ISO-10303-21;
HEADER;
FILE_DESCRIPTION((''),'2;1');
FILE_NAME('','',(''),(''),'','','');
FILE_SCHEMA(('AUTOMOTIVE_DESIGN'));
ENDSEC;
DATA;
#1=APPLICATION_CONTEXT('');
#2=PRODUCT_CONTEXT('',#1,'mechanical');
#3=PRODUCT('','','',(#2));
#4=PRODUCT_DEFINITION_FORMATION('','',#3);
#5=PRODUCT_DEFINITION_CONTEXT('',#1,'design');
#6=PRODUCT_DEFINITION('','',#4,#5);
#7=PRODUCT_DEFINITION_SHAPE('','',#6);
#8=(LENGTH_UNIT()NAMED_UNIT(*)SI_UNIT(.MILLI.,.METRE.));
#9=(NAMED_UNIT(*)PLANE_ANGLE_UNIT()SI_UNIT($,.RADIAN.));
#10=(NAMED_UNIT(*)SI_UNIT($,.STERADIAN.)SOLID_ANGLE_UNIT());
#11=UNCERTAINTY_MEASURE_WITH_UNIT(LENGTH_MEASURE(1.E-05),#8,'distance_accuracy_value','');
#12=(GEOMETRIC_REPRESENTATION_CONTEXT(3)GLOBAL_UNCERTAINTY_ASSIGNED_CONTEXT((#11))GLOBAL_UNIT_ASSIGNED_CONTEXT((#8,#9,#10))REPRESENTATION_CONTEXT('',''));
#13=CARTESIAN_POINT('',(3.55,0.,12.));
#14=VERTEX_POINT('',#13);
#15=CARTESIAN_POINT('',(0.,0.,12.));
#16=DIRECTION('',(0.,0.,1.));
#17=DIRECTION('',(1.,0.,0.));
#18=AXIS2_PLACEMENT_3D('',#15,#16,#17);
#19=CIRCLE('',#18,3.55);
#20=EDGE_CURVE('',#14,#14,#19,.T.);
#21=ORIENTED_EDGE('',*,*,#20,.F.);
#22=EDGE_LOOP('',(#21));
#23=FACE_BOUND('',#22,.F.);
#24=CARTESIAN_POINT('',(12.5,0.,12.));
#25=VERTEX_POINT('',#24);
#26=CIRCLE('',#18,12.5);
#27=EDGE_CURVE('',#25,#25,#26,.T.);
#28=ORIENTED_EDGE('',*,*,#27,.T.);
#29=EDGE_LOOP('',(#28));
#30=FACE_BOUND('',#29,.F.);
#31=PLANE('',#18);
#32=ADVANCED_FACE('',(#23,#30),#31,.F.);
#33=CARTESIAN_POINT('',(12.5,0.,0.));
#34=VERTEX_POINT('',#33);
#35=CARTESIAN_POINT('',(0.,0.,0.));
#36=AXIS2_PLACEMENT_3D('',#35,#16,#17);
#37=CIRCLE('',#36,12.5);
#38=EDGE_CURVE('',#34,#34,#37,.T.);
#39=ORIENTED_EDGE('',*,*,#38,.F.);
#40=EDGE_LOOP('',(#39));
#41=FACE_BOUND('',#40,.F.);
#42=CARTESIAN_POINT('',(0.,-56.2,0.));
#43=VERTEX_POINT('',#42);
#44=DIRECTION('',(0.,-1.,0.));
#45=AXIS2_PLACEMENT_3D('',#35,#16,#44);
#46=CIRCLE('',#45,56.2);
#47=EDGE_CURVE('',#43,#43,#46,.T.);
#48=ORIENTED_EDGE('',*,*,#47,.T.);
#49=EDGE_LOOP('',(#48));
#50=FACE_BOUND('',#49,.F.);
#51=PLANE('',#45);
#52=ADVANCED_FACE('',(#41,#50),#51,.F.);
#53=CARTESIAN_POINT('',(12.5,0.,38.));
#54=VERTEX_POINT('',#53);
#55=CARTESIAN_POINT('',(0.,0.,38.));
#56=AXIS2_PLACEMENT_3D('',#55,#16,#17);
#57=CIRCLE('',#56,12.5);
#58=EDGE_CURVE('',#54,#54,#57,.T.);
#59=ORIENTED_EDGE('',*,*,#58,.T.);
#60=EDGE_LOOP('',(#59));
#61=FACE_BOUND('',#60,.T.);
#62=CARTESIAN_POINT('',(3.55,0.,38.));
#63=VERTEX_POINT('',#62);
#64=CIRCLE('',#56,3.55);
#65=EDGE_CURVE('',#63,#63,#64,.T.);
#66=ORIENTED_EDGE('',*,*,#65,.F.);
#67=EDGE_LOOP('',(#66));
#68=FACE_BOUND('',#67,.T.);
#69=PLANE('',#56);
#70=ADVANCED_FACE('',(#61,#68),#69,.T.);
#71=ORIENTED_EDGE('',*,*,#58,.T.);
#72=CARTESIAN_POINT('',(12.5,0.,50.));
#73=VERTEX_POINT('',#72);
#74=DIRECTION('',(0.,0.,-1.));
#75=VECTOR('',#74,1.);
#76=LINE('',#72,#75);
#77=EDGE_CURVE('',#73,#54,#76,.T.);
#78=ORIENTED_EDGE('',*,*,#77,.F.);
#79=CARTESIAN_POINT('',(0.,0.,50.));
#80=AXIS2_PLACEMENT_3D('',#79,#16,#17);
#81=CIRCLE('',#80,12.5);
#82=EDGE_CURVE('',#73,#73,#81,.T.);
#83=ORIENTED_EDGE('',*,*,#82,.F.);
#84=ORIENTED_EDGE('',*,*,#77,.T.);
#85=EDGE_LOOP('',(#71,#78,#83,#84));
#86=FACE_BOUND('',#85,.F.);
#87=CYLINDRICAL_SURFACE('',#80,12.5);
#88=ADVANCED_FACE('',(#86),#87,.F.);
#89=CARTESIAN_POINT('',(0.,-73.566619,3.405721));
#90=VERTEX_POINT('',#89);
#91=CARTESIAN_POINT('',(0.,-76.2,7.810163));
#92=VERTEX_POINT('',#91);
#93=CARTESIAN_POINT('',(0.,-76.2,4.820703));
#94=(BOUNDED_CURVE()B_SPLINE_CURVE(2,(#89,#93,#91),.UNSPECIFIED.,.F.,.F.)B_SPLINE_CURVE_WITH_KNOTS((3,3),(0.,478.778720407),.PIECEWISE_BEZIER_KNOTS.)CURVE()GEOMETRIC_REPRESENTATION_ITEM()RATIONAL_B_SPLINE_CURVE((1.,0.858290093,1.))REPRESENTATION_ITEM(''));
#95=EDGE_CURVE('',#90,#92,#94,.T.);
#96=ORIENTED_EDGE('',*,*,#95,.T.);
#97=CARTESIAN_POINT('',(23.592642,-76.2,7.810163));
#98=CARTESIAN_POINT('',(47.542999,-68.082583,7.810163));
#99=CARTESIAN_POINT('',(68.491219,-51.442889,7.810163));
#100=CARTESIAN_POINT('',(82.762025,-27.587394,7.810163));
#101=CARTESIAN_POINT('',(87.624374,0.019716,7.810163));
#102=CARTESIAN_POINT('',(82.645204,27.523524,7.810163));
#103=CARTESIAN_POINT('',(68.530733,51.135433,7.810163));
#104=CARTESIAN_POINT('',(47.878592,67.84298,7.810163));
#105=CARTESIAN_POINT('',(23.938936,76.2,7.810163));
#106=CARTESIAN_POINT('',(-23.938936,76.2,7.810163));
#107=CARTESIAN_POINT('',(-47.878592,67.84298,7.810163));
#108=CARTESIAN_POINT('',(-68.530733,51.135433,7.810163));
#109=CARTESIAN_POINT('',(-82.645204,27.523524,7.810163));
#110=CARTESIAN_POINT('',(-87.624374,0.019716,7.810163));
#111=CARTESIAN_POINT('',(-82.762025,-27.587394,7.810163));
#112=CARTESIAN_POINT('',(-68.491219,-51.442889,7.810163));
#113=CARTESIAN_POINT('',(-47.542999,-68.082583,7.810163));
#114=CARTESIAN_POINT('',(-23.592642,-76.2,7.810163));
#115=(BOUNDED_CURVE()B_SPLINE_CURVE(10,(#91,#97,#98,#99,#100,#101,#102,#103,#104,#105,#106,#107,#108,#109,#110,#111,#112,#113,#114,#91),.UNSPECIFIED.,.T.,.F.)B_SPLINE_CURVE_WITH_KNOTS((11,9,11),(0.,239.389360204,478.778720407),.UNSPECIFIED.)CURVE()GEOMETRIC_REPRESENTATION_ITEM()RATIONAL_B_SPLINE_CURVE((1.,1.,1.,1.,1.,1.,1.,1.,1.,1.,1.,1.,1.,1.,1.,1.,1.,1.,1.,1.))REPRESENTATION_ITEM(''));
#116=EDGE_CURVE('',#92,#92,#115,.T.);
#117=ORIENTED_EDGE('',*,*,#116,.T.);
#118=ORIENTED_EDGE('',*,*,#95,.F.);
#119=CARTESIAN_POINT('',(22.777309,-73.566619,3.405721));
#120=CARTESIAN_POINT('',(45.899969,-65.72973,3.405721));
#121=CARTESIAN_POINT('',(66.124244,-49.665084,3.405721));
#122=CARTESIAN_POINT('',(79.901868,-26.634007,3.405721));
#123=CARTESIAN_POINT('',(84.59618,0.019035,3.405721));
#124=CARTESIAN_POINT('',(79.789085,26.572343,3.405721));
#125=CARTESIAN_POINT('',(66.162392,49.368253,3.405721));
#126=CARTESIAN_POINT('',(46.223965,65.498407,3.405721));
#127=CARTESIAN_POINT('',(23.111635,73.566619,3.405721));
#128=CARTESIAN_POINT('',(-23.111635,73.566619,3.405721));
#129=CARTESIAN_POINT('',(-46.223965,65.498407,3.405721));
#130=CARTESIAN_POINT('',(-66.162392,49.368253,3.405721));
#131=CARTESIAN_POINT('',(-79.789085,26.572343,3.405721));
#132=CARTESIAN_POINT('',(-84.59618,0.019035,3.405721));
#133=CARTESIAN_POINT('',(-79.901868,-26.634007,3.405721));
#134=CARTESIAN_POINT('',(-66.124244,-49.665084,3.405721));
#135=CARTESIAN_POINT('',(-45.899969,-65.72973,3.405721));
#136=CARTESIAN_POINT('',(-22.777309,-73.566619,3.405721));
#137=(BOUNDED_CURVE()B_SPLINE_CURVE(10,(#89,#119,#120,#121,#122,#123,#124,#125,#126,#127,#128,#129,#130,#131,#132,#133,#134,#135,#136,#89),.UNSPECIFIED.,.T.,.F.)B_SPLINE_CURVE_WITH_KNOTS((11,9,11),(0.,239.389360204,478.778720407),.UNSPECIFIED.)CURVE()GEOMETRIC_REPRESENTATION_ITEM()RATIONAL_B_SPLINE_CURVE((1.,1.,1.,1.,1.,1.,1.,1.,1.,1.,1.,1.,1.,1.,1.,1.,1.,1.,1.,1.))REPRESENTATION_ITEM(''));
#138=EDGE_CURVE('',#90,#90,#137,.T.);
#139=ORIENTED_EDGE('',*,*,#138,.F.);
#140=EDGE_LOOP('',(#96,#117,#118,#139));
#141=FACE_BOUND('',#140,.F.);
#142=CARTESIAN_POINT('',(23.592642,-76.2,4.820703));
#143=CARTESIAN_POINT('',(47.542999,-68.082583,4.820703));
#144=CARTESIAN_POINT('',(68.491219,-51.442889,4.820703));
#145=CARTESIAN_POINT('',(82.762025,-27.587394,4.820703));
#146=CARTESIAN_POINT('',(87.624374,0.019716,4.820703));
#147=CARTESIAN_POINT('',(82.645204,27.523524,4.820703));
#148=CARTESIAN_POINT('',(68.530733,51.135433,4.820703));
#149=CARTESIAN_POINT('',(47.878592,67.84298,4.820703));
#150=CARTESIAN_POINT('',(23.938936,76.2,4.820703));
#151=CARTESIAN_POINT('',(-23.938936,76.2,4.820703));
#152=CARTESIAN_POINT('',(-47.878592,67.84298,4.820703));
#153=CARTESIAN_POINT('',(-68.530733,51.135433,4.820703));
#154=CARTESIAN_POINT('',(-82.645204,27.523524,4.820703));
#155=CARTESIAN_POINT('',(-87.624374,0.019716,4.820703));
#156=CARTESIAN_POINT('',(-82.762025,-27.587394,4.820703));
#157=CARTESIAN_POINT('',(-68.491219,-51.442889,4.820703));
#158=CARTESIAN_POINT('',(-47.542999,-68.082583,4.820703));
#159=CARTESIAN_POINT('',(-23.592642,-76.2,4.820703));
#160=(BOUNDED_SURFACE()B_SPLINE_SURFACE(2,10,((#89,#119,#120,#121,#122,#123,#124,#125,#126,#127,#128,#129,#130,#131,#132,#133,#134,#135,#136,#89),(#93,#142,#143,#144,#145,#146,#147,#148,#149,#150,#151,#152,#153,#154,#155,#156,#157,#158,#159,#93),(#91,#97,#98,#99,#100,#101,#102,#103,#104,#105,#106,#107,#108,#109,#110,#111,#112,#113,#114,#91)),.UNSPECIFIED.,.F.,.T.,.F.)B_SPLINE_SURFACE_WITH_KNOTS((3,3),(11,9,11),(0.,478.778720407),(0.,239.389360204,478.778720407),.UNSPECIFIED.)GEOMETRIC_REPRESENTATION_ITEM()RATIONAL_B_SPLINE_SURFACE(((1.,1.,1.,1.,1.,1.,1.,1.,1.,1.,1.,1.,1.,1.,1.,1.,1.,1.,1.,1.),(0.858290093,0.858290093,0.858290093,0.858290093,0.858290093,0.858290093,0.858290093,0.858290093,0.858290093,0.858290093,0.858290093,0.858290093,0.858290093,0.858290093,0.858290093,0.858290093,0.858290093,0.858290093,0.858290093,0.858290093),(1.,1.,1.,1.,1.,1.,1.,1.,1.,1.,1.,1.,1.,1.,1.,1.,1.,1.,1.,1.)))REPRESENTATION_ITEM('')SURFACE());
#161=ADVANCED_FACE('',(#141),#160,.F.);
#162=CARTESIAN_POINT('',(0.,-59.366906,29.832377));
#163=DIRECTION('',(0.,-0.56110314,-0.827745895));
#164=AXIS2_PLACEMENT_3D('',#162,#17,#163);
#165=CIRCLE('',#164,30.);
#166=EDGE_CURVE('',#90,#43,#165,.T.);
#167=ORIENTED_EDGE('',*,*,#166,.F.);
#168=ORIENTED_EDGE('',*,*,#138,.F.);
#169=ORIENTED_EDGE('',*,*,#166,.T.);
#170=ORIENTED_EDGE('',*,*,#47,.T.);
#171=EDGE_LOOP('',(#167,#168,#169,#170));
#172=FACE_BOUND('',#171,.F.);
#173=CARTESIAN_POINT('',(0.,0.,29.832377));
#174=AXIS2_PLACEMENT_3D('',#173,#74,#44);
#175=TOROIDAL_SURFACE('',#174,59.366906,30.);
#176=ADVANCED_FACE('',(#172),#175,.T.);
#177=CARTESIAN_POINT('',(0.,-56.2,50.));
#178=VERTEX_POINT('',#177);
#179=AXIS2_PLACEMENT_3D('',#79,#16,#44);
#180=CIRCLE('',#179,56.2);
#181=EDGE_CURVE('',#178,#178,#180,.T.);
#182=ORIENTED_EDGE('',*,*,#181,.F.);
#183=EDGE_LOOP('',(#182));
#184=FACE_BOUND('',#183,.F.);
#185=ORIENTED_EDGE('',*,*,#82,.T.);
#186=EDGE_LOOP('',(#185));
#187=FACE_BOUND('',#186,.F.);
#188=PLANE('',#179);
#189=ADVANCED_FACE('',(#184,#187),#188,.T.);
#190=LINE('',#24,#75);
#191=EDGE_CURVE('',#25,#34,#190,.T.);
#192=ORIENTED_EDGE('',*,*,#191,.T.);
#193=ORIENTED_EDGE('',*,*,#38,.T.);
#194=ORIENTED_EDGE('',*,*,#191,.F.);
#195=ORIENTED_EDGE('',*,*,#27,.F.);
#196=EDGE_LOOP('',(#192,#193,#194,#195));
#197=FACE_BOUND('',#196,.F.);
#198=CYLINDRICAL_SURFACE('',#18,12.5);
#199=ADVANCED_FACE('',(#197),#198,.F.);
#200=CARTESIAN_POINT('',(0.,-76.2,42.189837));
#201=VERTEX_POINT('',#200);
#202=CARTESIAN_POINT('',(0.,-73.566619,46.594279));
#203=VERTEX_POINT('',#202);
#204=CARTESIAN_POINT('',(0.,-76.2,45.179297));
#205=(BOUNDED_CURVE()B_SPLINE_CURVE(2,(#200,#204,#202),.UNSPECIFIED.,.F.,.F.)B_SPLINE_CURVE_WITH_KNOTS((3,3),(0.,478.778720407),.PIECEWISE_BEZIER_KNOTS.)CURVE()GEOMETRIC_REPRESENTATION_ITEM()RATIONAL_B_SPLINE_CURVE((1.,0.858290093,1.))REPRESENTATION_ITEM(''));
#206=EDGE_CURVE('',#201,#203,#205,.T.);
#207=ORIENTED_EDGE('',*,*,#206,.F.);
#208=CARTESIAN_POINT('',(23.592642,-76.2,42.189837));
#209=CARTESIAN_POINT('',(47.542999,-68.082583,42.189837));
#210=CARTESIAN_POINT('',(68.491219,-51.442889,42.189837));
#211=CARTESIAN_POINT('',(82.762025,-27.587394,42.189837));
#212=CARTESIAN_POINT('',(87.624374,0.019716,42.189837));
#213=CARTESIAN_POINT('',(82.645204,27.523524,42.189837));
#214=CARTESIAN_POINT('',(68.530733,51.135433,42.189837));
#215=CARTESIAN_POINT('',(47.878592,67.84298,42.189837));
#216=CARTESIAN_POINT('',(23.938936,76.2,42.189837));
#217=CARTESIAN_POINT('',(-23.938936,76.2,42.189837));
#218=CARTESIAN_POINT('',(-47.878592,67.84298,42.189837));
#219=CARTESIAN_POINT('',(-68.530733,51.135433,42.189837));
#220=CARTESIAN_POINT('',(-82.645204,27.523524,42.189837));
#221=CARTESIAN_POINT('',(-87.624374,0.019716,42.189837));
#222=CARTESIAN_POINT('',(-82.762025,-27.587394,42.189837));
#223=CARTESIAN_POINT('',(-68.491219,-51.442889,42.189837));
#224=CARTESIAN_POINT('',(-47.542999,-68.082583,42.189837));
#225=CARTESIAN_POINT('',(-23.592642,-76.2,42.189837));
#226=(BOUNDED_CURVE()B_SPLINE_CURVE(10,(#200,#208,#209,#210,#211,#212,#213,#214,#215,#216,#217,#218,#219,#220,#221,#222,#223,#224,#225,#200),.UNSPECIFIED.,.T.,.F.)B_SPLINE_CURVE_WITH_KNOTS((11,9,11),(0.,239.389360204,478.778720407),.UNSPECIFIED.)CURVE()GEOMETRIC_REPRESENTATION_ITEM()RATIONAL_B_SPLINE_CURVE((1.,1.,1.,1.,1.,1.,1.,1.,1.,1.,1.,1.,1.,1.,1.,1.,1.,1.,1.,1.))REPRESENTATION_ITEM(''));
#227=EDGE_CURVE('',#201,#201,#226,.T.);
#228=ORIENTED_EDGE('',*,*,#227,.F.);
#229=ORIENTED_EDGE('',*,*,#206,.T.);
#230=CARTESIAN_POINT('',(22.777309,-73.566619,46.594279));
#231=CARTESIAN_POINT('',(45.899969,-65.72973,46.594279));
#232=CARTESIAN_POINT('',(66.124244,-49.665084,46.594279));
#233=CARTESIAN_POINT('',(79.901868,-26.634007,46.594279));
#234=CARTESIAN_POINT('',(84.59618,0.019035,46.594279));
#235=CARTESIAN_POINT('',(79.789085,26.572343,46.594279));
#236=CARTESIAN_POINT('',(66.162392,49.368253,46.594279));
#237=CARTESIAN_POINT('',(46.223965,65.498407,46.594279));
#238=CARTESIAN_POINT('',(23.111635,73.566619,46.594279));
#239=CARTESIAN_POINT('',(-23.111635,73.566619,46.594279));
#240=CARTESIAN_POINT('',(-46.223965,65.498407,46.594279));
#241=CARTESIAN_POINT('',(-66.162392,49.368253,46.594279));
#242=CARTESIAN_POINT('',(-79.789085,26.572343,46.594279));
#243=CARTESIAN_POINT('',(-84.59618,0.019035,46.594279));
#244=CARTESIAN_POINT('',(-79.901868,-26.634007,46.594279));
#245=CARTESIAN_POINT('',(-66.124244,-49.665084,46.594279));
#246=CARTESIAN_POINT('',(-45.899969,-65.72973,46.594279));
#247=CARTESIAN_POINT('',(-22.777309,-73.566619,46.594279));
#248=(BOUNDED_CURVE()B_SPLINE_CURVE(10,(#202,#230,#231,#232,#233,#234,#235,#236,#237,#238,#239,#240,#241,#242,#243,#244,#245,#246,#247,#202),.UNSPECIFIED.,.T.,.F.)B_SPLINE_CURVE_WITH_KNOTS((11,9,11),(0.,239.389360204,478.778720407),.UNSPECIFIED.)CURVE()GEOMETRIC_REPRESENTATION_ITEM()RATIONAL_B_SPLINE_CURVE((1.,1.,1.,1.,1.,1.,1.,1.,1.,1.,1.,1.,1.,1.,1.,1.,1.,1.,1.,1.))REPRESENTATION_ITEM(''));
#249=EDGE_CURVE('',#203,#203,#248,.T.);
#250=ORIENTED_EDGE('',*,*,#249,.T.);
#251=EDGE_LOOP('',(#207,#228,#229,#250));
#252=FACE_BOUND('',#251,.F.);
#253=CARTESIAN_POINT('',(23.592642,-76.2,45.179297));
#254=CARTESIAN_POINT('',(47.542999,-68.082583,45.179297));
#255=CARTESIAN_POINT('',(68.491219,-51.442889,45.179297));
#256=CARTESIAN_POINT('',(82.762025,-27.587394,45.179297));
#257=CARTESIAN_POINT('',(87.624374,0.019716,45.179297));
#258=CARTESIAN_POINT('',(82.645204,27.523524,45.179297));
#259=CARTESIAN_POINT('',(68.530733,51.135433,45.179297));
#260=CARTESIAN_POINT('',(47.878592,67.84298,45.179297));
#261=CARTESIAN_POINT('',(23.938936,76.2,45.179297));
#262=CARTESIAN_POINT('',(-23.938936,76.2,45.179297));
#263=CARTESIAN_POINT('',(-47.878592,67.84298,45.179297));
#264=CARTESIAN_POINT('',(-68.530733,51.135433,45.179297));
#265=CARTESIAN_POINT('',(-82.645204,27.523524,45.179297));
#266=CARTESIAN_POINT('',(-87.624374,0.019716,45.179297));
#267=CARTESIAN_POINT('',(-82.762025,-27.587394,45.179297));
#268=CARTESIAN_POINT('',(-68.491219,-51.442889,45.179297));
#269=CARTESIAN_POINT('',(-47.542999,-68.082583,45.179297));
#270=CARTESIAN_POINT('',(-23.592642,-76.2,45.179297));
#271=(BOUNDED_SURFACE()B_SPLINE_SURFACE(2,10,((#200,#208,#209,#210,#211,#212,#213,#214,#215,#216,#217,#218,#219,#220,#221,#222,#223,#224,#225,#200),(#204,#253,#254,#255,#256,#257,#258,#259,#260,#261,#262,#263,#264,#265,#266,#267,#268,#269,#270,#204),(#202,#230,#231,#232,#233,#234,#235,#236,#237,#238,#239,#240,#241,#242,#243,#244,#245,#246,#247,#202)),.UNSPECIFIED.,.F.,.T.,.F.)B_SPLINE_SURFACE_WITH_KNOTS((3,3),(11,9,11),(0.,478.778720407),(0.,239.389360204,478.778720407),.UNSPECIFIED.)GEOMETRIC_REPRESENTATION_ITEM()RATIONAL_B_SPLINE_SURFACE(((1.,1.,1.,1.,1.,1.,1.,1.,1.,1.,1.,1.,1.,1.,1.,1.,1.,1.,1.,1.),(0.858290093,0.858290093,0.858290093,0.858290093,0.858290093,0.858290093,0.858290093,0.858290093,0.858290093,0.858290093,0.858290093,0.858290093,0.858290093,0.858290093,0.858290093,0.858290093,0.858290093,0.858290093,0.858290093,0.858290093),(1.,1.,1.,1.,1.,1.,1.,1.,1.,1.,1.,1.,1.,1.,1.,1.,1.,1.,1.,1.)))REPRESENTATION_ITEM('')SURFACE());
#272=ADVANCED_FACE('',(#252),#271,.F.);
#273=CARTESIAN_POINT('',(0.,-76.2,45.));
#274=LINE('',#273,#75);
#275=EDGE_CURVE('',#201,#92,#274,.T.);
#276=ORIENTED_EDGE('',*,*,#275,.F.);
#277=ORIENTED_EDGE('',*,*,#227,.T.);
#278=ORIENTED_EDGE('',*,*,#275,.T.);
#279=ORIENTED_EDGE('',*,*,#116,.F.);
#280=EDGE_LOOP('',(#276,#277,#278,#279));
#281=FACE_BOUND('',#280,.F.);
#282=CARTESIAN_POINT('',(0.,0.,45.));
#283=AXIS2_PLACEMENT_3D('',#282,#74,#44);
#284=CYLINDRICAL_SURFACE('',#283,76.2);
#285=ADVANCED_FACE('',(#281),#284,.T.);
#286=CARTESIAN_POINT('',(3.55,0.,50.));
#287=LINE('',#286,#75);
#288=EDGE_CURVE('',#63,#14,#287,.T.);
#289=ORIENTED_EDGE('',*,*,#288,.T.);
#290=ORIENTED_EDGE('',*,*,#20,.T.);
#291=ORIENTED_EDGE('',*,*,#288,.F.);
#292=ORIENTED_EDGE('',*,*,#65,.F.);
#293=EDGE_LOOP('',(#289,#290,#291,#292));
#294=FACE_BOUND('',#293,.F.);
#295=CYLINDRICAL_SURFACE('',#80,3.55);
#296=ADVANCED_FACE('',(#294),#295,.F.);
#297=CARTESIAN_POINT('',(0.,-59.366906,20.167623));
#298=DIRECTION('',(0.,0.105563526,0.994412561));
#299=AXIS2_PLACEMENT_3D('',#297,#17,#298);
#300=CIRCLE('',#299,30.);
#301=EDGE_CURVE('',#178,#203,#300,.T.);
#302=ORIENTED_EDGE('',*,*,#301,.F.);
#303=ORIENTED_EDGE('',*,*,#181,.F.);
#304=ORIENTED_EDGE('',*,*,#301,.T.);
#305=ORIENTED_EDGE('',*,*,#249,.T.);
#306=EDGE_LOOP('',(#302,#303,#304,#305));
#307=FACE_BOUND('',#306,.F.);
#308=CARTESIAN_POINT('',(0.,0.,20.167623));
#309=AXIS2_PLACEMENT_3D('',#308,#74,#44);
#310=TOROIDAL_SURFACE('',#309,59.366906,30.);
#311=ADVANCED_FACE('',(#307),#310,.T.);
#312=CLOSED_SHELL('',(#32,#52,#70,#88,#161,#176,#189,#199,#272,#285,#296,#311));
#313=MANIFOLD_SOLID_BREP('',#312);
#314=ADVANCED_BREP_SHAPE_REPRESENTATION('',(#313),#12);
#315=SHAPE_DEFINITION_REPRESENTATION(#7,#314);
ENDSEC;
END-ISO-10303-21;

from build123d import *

# Parameters (mm, degrees)
F2_R     = 3.55
F3_DEPTH = 50.1686232636
F2_R_2   = 12.5
F4_DEPTH = 12
F5_START = -38
F5_DEPTH = 12
F6_R     = 5


with BuildPart() as f1:
    # F0 (on Right) → F1 (revolve)
    with BuildSketch(Plane.YZ):
        with BuildLine():
            Line((-56.2, 0), (0, 0))
            Line((0, 0), (0, 50))
            Line((0, 50), (-56.2, 50))
            ThreePointArc((-56.2, 50), (-66.642974542, 49.2718981679), (-76.2, 45))
            Line((-76.2, 45), (-76.2, 5))
            ThreePointArc((-76.2, 5), (-66.642974542, 0.7281018321), (-56.2, 0))
        make_face()
    revolve(axis=Axis((0, 0, 25), (0, 0, 1)))

    # F2 (on face) → F3 (cut, through all)
    with BuildSketch(Plane.XY.offset(50)):
        Circle(F2_R)
    extrude(amount=-F3_DEPTH, mode=Mode.SUBTRACT)

    # F2 (on face) → F4 (cut)
    with BuildSketch(Plane.XY.offset(50)):
        Circle(F2_R_2)
        Polygon((-6.9282032303, 0), (-3.4641016151, 6), (3.4641016151, 6), (6.9282032303, 0), (3.4641016151, -6), (-3.4641016151, -6), align=None, mode=Mode.SUBTRACT)
        Polygon((3.4641016151, 6), (-3.4641016151, 6), (-6.9282032303, 0), (-3.4641016151, -6), (3.4641016151, -6), (6.9282032303, 0), align=None)
        Circle(F2_R, mode=Mode.SUBTRACT)
    extrude(amount=-F4_DEPTH, mode=Mode.SUBTRACT)

    # F2 (on face) → F5 (cut)
    with BuildSketch(Plane.XY.offset(50).offset(F5_START)):
        Circle(F2_R_2)
        Polygon((-6.9282032303, 0), (-3.4641016151, 6), (3.4641016151, 6), (6.9282032303, 0), (3.4641016151, -6), (-3.4641016151, -6), align=None, mode=Mode.SUBTRACT)
        Polygon((3.4641016151, 6), (-3.4641016151, 6), (-6.9282032303, 0), (-3.4641016151, -6), (3.4641016151, -6), (6.9282032303, 0), align=None)
        Circle(F2_R, mode=Mode.SUBTRACT)
    extrude(amount=-F5_DEPTH, mode=Mode.SUBTRACT)

    # F6
    f6_edges = [f1.edges().sort_by_distance(p)[0] for p in [
        (0, 76.2, 45),
        (0, 76.2, 5),
    ]]
    fillet(f6_edges, radius=F6_R)


solid = f1.part
